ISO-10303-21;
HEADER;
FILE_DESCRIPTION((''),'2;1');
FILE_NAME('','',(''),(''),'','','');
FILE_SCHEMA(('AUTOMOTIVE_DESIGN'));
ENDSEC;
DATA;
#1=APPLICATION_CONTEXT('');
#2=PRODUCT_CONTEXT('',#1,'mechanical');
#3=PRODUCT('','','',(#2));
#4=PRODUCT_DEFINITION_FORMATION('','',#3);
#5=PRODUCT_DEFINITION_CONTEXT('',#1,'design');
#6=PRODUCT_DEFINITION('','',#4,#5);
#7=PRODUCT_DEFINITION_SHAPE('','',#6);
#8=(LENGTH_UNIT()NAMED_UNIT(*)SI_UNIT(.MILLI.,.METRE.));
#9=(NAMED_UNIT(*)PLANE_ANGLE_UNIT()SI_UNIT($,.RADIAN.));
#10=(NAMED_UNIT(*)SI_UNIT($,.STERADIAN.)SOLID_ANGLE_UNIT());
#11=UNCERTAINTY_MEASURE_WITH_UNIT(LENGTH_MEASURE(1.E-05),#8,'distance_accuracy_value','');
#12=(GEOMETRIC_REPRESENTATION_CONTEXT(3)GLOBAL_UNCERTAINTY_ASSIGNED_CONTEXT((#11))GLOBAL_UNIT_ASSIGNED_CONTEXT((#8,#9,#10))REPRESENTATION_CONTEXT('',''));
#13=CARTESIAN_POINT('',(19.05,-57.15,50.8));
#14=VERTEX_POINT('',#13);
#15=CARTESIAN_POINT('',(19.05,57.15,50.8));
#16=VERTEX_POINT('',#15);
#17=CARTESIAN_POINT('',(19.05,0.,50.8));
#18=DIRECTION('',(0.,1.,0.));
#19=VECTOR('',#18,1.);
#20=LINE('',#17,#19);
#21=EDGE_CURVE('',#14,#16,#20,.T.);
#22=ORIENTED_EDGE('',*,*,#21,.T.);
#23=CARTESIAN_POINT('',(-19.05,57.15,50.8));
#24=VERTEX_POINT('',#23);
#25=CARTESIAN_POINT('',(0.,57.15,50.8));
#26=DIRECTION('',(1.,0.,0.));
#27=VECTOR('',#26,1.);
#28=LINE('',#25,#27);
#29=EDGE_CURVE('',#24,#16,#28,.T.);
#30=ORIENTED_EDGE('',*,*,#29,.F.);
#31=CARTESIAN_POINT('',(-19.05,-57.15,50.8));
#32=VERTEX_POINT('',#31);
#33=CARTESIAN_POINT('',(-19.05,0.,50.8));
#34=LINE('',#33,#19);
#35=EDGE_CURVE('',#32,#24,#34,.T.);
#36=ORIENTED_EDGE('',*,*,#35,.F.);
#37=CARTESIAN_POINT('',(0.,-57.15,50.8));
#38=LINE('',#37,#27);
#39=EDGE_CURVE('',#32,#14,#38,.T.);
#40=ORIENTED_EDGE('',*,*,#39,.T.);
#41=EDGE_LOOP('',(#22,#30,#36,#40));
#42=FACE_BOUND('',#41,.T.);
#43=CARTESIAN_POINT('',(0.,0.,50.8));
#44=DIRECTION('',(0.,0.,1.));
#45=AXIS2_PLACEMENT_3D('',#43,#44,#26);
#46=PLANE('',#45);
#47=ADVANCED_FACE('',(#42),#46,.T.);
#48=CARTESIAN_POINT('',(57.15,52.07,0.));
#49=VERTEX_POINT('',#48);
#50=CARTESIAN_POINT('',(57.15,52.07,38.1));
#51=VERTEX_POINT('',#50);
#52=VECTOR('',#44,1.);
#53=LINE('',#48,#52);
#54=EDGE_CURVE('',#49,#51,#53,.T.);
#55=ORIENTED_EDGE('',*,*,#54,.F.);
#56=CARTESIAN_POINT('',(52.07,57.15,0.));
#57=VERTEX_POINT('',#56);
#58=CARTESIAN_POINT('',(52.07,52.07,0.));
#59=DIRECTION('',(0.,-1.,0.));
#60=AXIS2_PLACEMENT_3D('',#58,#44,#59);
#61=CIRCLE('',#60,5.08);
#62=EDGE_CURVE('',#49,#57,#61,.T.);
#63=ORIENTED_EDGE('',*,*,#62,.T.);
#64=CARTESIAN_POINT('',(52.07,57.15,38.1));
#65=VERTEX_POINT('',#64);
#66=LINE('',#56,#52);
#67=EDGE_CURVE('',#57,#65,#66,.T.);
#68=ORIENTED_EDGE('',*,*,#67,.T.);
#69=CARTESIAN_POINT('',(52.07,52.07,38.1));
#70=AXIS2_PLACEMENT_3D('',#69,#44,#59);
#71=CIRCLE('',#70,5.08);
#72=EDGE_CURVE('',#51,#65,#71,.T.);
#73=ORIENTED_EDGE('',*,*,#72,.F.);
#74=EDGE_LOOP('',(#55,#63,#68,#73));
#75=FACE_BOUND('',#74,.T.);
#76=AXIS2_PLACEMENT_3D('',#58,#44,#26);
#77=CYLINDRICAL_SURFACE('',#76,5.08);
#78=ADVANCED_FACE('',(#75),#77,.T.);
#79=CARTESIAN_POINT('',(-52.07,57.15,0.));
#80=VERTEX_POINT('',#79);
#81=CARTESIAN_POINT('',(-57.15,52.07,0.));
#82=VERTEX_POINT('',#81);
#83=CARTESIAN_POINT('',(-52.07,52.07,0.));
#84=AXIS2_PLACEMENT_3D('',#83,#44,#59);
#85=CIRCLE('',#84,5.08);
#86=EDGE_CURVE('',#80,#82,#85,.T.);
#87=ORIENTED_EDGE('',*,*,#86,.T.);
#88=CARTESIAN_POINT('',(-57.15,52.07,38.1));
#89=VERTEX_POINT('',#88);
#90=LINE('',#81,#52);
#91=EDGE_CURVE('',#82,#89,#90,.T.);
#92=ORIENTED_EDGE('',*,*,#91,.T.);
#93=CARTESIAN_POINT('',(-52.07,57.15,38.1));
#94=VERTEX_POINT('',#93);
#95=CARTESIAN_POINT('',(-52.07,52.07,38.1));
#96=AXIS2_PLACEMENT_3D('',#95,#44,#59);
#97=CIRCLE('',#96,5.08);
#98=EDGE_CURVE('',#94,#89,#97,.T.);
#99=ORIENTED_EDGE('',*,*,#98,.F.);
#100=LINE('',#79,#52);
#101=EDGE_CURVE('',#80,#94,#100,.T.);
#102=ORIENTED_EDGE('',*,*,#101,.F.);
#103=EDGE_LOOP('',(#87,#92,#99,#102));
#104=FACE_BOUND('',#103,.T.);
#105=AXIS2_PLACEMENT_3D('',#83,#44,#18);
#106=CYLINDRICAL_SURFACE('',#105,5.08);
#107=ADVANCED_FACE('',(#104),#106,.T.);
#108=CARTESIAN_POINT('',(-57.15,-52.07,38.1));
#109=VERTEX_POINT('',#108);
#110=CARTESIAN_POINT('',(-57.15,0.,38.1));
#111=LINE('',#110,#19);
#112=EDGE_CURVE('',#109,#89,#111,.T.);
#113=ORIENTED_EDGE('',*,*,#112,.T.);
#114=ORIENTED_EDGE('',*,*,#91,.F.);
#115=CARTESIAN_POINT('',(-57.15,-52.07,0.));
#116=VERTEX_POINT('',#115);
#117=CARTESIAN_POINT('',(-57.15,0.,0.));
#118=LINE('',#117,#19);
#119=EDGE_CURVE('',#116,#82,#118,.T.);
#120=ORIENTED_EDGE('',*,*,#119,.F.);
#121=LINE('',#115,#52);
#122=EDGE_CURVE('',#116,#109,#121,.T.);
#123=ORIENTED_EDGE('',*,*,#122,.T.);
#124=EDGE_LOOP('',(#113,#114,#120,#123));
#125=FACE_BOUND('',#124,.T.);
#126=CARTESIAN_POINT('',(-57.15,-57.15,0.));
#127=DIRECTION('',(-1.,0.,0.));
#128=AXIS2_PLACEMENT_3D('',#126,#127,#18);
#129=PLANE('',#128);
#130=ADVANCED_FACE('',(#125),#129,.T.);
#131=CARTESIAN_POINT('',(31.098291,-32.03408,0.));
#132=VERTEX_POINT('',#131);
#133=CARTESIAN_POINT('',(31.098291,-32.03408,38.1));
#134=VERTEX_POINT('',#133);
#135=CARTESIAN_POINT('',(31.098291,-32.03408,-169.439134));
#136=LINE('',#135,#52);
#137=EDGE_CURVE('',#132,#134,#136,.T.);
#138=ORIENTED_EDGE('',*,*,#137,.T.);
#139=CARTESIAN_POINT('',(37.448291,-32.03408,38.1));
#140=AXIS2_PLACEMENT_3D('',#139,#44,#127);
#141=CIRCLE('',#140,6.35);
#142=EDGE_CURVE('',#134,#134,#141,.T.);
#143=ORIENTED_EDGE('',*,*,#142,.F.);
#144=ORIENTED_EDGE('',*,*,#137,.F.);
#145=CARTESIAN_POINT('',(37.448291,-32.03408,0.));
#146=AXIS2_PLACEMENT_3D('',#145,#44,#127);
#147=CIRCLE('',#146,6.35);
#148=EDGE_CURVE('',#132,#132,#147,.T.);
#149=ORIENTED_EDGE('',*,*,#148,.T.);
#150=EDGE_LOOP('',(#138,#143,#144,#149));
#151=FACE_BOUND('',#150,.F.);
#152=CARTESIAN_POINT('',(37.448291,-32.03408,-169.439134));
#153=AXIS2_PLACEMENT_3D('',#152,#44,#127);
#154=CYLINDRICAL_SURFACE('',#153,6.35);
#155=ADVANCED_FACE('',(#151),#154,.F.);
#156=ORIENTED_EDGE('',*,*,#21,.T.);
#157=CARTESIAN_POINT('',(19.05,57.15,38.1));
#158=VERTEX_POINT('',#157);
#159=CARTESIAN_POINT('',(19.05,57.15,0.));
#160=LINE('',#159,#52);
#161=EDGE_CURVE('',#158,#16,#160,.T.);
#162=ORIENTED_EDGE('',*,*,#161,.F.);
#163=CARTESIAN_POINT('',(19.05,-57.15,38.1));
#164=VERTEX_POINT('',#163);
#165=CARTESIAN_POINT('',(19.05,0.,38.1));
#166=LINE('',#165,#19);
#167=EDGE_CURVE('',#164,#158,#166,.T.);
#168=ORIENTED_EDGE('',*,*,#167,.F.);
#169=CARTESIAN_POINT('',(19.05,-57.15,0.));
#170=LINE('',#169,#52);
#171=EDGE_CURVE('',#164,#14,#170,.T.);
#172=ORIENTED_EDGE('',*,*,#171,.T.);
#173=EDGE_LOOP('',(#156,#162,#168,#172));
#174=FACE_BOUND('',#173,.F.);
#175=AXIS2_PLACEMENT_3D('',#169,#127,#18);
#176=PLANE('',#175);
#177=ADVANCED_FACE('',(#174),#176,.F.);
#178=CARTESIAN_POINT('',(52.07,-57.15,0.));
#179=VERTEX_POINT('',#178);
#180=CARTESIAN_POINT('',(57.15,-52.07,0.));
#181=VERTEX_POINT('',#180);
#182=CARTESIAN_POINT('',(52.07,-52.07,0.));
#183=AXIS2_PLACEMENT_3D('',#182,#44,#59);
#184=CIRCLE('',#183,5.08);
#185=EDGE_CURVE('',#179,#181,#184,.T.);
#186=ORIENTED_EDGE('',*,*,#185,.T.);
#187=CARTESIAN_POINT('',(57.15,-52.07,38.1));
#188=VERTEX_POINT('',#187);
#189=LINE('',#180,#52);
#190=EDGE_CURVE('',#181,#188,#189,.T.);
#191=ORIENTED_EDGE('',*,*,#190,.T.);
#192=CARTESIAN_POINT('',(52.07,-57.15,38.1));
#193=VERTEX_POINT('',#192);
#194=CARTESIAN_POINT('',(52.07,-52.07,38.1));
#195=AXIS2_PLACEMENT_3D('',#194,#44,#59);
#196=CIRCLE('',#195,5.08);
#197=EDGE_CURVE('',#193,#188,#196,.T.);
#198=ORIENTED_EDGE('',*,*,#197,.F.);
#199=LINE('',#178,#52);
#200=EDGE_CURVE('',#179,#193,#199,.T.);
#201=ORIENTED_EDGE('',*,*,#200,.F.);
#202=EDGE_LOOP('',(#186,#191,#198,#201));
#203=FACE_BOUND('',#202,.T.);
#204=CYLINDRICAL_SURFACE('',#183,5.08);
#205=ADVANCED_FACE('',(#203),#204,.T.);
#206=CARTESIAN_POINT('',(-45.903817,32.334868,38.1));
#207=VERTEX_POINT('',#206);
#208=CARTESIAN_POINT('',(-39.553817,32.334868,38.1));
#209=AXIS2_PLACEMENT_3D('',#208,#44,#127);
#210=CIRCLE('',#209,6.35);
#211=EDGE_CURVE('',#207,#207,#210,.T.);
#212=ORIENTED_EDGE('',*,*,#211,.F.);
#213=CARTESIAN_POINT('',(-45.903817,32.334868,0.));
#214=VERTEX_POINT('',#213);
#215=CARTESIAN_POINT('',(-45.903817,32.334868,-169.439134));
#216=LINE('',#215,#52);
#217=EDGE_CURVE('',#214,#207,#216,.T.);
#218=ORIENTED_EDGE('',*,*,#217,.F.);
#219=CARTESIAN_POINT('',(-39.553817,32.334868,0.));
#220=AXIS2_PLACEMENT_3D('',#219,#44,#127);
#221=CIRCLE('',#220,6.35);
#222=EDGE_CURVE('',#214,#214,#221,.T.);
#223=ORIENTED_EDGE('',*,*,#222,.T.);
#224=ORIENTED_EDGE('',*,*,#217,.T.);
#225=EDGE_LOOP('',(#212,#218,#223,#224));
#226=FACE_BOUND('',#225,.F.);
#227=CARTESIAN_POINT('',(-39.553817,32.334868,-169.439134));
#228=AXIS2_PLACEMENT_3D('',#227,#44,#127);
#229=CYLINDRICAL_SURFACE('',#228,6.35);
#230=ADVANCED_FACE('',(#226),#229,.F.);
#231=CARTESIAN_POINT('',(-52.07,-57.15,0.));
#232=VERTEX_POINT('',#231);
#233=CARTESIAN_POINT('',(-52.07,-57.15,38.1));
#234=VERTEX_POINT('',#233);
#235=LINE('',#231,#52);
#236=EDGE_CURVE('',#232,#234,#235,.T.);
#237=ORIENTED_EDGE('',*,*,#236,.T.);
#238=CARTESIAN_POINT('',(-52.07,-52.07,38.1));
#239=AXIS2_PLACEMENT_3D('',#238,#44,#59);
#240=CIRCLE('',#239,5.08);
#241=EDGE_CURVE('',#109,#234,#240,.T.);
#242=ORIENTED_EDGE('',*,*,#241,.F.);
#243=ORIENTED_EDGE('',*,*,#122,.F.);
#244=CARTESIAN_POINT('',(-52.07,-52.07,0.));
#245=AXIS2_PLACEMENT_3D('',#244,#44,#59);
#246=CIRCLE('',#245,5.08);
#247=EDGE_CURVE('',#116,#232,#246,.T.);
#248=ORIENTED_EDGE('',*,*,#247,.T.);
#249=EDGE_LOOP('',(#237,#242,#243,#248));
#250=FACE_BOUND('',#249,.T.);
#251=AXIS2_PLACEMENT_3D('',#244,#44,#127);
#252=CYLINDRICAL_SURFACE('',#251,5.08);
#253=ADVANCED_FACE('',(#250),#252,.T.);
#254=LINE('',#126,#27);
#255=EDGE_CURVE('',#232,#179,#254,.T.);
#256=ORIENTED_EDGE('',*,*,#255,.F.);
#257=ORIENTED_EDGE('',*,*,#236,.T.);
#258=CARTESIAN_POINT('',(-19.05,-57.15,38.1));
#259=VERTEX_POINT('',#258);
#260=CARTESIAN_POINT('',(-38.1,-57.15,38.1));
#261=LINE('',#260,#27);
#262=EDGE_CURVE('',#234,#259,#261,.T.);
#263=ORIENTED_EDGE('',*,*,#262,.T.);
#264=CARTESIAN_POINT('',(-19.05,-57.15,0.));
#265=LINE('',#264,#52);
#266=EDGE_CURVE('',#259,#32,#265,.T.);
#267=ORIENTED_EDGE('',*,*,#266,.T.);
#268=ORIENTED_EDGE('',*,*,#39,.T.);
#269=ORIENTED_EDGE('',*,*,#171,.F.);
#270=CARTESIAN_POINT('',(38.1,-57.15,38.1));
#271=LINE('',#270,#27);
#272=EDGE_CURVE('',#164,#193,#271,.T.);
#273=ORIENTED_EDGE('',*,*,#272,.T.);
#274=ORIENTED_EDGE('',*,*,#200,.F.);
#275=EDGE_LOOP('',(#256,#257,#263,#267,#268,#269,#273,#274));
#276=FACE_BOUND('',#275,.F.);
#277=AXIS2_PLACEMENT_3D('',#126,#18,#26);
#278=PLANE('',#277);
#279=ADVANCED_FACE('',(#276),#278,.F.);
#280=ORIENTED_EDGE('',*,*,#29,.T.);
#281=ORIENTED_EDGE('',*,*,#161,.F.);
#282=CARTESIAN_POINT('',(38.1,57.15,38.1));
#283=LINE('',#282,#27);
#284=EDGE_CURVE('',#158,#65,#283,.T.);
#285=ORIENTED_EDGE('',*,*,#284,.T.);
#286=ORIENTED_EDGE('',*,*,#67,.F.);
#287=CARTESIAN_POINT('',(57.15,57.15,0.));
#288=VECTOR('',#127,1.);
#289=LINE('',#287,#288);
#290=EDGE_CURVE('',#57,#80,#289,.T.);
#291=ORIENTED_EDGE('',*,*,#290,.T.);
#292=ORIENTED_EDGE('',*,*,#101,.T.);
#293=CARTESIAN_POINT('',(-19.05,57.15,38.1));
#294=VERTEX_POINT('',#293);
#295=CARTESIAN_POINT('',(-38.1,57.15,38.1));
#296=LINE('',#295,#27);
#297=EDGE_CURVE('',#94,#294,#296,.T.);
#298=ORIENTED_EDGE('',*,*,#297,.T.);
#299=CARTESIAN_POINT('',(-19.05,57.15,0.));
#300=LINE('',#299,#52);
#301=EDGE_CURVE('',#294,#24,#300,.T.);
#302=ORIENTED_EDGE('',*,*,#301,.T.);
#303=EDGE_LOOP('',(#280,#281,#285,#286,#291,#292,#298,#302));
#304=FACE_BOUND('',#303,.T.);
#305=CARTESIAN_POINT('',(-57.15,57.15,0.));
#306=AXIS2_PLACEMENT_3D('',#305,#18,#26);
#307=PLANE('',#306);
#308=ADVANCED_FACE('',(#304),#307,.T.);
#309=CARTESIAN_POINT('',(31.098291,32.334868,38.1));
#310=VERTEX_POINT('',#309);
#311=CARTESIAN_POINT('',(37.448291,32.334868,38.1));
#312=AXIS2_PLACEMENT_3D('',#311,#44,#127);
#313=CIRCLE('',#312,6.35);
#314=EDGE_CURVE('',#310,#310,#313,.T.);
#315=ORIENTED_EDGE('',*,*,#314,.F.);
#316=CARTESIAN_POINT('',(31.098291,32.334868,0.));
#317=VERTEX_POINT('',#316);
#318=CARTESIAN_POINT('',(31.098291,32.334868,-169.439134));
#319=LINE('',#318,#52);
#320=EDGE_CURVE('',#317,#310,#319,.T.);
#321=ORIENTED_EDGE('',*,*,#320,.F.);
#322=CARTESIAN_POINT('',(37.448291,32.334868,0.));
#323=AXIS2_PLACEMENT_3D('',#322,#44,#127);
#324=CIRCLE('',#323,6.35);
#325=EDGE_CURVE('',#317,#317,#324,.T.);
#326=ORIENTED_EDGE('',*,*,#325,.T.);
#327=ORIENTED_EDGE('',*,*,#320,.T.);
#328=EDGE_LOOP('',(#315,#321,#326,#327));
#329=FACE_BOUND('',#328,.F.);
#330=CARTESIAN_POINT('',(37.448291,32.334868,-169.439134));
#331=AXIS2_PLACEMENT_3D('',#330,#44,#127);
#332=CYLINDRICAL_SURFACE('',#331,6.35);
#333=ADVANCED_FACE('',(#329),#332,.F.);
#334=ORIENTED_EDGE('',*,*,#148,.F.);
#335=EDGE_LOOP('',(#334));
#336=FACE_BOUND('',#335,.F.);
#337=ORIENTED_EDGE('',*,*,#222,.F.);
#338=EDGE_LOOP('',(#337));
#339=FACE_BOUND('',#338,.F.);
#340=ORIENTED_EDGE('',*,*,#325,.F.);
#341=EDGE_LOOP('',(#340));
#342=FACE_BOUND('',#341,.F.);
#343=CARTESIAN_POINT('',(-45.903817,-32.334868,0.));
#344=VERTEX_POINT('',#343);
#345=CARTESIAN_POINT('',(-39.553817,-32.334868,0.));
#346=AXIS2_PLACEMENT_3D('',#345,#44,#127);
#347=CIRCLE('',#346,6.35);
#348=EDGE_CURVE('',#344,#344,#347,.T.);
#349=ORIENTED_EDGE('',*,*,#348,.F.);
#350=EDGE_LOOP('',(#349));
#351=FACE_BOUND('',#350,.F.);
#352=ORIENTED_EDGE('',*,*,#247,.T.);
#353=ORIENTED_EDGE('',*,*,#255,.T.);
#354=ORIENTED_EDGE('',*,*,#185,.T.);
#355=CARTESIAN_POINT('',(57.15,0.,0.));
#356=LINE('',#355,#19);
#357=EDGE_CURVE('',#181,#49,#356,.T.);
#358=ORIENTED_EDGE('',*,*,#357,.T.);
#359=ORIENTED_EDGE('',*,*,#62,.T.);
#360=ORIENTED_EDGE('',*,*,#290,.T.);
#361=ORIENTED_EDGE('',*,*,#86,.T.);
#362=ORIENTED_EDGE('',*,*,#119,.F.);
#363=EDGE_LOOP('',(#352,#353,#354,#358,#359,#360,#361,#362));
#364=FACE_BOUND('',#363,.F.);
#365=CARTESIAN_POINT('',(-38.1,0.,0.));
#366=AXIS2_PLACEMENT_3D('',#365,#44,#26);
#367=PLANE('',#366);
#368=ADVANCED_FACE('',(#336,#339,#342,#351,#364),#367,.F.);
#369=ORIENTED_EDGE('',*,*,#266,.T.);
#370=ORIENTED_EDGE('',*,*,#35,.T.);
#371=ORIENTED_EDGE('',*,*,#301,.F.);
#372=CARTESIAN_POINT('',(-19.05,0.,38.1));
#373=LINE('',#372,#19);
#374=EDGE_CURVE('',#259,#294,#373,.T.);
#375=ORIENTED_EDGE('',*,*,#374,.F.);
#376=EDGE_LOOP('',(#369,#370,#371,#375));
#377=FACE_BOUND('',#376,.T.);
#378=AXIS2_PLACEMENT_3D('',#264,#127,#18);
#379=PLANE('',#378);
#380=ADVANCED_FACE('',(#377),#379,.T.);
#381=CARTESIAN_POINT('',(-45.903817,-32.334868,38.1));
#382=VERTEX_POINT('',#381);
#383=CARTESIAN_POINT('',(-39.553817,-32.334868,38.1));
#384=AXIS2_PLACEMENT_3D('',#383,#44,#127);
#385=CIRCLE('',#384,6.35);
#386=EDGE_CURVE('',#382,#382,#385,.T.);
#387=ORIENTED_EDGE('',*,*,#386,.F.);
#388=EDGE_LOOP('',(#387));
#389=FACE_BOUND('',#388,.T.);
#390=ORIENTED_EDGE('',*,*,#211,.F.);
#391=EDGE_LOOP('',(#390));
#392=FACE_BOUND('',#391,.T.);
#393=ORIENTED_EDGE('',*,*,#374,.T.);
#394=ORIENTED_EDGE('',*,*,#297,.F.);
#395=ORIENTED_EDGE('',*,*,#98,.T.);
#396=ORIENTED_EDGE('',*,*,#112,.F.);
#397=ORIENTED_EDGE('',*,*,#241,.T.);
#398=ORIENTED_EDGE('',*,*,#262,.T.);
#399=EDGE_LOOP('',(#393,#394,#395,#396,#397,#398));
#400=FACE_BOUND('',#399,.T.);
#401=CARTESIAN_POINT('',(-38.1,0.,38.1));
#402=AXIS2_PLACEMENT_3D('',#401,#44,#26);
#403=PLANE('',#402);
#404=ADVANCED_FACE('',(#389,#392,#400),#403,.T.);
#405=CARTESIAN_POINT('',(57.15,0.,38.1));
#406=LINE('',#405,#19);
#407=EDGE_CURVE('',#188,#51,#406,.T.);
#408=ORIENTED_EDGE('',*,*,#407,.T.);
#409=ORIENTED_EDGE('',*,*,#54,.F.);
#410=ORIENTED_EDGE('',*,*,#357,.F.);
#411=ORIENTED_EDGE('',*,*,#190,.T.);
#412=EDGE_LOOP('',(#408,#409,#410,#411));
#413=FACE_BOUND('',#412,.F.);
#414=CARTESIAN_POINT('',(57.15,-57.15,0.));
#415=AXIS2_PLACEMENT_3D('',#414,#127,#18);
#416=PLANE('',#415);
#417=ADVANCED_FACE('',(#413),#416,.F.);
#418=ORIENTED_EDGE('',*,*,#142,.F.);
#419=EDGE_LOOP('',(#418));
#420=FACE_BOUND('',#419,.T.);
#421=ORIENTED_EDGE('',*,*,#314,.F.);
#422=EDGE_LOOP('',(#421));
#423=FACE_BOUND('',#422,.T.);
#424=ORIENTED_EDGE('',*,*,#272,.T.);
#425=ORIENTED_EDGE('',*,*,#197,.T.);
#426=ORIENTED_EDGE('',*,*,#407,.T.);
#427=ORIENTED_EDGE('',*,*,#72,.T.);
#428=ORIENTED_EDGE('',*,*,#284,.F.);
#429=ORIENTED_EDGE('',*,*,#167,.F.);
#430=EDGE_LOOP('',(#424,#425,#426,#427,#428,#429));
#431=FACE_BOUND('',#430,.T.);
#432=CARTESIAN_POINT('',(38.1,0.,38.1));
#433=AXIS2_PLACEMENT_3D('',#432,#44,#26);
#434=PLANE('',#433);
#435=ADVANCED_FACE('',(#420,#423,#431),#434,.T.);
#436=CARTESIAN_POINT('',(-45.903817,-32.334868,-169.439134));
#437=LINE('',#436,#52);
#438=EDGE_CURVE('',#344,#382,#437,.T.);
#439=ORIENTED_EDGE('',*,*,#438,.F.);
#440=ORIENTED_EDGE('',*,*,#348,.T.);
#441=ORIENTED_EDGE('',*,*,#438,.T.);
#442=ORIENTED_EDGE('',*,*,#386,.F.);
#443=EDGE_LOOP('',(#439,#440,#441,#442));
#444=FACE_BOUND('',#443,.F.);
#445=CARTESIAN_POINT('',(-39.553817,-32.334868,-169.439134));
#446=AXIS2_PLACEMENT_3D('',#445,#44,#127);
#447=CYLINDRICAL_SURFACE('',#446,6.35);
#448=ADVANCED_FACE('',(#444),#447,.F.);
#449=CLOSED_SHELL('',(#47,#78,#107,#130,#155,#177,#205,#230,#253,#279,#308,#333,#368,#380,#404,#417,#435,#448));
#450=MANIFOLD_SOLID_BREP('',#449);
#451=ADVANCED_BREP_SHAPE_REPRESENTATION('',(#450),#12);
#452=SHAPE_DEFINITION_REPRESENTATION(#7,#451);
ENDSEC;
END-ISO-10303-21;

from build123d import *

# Parameters (mm, degrees)
F0_W     = 38.1
F0_H     = 114.3
F3_DEPTH = 50.8
F2_W     = 38.1
F2_H     = 114.3
F4_DEPTH = 38.1
F1_W     = 38.1
F1_H     = 114.3
F5_DEPTH = 38.1
F6_D     = 12.7
F7_D     = 12.7
F8_D     = 12.7
F9_D     = 12.7
F10_R    = 5.08
F11_R    = 5.08
F12_R    = 5.08
F13_R    = 5.08


with BuildPart() as f3:
    # F0 (on Top) → F3 (new body)
    with BuildSketch(Plane.XY):
        Rectangle(F0_W, F0_H)
    extrude(amount=F3_DEPTH)

    # F2 (on Top) → F4 (join)
    with BuildSketch(Plane.XY):
        with Locations((38.1, 0)):
            Rectangle(F2_W, F2_H)
    extrude(amount=F4_DEPTH)

    # F1 (on Top) → F5 (join)
    with BuildSketch(Plane.XY):
        with Locations((-38.1, 0)):
            Rectangle(F1_W, F1_H)
    extrude(amount=F5_DEPTH)

    # F6 (through all)
    with Locations(Plane(origin=(0, 0, 0), x_dir=(1, 0, 0), z_dir=(0, 0, -1))):
        with Locations((37.4482907355, -32.3348678648)):
            Hole(F6_D / 2)

    # F7 (through all)
    with Locations(Plane(origin=(0, 0, 0), x_dir=(1, 0, 0), z_dir=(0, 0, -1))):
        with Locations((37.4482907355, 32.0340804756)):
            Hole(F7_D / 2)

    # F8 (through all)
    with Locations(Plane(origin=(0, 0, 0), x_dir=(1, 0, 0), z_dir=(0, 0, -1))):
        with Locations((-39.5538173616, -32.3348678648)):
            Hole(F8_D / 2)

    # F9 (through all)
    with Locations(Plane(origin=(0, 0, 0), x_dir=(1, 0, 0), z_dir=(0, 0, -1))):
        with Locations((-39.5538173616, 32.3348678648)):
            Hole(F9_D / 2)

    # F10
    f10_edges = [f3.edges().sort_by_distance(p)[0] for p in [
        (-57.15, -57.15, 19.05),
    ]]
    fillet(f10_edges, radius=F10_R)

    # F11
    f11_edges = [f3.edges().sort_by_distance(p)[0] for p in [
        (57.15, -57.15, 19.05),
    ]]
    fillet(f11_edges, radius=F11_R)

    # F12
    f12_edges = [f3.edges().sort_by_distance(p)[0] for p in [
        (57.15, 57.15, 19.05),
    ]]
    fillet(f12_edges, radius=F12_R)

    # F13
    f13_edges = [f3.edges().sort_by_distance(p)[0] for p in [
        (-57.15, 57.15, 19.05),
    ]]
    fillet(f13_edges, radius=F13_R)


solid = f3.part
